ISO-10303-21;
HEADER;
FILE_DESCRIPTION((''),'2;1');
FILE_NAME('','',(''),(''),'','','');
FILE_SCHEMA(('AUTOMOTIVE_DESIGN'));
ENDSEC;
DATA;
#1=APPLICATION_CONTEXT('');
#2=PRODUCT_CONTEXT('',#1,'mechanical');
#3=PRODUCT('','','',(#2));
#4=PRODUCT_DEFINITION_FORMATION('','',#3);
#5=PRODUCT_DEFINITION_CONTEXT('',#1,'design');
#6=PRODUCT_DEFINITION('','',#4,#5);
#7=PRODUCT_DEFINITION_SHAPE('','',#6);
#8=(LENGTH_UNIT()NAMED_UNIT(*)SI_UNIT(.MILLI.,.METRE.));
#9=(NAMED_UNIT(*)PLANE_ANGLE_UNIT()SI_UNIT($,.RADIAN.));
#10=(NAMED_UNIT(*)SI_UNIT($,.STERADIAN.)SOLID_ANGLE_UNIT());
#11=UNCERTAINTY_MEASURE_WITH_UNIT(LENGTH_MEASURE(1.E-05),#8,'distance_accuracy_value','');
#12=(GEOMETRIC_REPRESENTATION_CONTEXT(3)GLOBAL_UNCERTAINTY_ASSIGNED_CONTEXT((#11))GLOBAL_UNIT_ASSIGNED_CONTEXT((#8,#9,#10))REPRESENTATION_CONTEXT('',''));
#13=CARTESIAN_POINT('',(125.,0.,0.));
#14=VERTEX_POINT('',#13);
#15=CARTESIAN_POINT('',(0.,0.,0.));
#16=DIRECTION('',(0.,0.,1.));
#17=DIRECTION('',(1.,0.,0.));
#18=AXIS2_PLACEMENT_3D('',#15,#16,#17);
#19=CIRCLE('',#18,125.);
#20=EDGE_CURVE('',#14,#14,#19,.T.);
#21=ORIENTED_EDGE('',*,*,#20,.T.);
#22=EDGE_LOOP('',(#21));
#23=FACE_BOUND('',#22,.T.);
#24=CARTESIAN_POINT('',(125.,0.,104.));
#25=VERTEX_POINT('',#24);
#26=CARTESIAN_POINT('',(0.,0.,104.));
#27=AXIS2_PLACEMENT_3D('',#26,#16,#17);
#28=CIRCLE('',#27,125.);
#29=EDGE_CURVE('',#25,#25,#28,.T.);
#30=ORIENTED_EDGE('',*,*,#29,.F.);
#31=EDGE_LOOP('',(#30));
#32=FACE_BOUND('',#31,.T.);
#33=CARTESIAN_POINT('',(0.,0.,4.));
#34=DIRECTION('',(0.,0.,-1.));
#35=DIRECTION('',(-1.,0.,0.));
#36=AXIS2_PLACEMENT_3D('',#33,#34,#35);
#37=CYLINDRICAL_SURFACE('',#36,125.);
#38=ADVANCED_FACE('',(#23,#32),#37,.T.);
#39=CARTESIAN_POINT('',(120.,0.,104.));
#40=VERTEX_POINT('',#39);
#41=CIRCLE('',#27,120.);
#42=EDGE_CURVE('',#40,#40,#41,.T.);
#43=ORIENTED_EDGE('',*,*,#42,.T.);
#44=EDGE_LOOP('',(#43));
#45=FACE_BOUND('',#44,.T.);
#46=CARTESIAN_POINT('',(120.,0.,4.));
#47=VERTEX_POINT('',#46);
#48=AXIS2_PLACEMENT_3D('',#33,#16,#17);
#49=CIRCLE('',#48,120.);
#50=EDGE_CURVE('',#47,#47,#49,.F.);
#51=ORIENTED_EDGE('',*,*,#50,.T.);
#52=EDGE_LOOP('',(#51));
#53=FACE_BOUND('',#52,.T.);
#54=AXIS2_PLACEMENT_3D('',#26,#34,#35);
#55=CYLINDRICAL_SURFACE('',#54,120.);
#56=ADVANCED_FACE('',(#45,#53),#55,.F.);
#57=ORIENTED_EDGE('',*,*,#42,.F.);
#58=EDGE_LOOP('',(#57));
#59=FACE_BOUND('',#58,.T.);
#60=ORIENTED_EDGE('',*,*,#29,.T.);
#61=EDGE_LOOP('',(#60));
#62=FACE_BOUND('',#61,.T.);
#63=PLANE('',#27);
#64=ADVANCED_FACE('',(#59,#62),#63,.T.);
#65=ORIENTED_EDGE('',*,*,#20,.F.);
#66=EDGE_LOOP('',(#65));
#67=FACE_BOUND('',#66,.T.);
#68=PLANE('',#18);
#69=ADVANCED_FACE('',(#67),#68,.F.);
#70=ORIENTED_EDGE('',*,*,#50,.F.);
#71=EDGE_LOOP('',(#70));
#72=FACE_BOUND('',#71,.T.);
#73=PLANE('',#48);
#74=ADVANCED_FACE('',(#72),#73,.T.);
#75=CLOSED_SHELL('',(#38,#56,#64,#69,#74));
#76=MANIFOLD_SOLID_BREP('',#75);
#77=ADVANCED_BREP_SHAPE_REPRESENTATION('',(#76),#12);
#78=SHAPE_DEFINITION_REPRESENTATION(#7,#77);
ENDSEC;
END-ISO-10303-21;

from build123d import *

# Parameters (mm, degrees)
SKETCH1_R           = 125
BOSS_EXTRUDE1_DEPTH = 4
SKETCH2_R           = 125
SKETCH2_R_2         = 120
BOSS_EXTRUDE2_DEPTH = 100


with BuildPart() as part:
    # Sketch1 → Boss-Extrude1 (new body)
    with BuildSketch(Plane.XY):
        Circle(SKETCH1_R)
    extrude(amount=BOSS_EXTRUDE1_DEPTH)

    # Sketch2 → Boss-Extrude2 (add)
    with BuildSketch(Plane.XY.offset(4)):
        Circle(SKETCH2_R)
        Circle(SKETCH2_R_2, mode=Mode.SUBTRACT)
    extrude(amount=BOSS_EXTRUDE2_DEPTH)


solid = part.part
